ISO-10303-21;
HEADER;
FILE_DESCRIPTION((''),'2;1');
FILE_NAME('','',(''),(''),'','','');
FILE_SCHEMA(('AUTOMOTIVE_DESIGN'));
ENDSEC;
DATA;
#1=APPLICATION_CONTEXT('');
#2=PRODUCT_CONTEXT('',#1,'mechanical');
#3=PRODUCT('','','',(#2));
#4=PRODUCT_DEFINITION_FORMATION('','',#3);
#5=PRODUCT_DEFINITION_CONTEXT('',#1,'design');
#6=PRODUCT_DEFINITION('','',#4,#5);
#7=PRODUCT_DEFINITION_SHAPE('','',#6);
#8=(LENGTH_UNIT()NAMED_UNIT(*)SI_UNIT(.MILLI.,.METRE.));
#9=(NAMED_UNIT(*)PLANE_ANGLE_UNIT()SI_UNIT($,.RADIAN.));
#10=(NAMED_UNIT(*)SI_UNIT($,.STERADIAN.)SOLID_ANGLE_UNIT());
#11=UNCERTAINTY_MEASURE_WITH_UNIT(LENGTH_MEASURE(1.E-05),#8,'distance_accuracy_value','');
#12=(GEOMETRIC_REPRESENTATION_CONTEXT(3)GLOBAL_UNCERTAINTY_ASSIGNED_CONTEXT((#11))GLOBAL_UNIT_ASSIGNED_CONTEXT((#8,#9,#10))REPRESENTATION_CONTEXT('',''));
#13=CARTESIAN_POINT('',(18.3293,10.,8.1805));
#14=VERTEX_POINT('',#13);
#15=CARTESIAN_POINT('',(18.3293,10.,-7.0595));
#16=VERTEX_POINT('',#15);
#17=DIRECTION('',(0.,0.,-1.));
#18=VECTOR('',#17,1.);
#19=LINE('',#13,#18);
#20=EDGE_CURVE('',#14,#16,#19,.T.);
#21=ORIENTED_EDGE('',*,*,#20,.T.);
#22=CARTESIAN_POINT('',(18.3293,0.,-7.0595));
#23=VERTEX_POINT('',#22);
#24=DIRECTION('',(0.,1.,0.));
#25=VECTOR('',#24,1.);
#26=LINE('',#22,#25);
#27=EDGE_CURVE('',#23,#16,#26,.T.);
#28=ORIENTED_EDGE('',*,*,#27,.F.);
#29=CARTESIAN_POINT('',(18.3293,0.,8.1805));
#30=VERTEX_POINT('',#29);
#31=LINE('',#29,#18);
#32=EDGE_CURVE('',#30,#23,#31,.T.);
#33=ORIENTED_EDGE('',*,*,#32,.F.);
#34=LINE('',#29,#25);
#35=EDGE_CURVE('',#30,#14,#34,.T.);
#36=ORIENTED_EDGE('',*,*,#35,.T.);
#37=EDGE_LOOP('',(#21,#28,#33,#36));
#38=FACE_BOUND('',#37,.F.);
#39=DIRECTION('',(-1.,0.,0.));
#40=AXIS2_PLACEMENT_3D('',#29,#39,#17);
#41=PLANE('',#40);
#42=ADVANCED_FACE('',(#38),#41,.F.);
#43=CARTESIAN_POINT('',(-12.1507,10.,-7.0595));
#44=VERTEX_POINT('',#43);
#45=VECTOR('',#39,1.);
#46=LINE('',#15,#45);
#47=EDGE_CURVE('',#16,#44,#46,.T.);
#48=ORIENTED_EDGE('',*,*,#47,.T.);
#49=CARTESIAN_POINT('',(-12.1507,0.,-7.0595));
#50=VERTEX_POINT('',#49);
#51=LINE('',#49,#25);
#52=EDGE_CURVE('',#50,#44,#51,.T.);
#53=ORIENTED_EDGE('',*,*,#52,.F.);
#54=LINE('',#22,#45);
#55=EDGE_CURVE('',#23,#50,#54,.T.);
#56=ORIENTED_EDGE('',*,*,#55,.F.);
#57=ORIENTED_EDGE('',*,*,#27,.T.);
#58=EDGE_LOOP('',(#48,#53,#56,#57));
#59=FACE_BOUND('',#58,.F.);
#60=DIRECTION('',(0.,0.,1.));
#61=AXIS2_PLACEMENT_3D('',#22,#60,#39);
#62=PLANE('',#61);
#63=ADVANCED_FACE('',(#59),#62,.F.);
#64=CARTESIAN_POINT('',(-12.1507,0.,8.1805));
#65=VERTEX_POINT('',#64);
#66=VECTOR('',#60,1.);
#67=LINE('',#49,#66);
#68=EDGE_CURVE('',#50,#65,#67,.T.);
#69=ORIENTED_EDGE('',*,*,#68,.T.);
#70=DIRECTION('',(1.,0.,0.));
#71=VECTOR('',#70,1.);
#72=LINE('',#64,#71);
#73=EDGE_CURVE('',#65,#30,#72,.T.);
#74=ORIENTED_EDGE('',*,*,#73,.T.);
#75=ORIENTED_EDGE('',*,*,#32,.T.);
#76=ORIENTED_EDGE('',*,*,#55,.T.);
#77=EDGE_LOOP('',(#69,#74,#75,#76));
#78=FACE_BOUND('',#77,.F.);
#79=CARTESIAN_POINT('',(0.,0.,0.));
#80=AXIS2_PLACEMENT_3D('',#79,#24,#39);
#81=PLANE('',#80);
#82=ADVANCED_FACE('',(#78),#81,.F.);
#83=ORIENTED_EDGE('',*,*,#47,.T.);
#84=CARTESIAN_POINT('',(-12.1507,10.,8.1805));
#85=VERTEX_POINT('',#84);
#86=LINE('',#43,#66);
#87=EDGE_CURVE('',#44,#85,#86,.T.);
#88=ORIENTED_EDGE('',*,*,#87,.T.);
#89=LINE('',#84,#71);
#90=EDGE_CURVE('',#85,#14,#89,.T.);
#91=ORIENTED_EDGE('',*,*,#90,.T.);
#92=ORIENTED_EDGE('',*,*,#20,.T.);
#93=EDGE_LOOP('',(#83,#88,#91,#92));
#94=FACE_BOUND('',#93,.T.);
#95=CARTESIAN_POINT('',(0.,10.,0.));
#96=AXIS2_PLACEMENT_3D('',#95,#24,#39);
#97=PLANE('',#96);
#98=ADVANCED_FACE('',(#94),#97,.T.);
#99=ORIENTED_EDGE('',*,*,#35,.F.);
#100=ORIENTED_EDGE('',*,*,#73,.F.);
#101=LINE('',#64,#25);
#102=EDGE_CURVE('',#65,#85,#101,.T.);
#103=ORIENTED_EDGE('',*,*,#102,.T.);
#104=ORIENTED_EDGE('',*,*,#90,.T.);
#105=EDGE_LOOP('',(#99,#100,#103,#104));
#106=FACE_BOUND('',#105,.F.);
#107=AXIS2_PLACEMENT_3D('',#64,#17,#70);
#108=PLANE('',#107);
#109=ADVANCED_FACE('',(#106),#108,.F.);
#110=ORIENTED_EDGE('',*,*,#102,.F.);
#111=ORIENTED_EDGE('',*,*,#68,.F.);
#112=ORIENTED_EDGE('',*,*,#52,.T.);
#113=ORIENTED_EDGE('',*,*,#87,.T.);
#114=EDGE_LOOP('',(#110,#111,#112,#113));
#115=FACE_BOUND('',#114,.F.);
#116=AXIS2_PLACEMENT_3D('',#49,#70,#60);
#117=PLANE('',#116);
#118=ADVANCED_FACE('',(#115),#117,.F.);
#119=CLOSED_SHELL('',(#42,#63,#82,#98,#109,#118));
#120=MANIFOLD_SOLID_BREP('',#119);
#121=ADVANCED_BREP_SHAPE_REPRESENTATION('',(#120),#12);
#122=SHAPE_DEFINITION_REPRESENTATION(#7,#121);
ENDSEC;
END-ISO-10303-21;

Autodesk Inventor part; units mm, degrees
ref_plane "YZ Plane" through (0, 0, 0) normal (1, 0, 0) x (0, 1, 0)
ref_plane "XZ Plane" through (0, 0, 0) normal (0, 1, 0) x (-1, 0, 0)
ref_plane "XY Plane" through (0, 0, 0) normal (0, 0, 1) x (1, 0, 0)
sketch "Sketch1" plane through (0, 0, 0) normal (0, 1, 0) x (-1, 0, 0)
  line L0 (12.1507, 8.1805) -> (-18.3293, 8.1805)
  line L1 (-18.3293, 8.1805) -> (-18.3293, -7.0595)
  line L2 (-18.3293, -7.0595) -> (12.1507, -7.0595)
  line L3 (12.1507, -7.0595) -> (12.1507, 8.1805)
  point P0 (0, 0)
  dimension "d0" = 15.24
  dimension "d1" = 30.48
extrude "Extrusion1" add sketch "Sketch1" along normal blind 10
properties part number "Injector"
